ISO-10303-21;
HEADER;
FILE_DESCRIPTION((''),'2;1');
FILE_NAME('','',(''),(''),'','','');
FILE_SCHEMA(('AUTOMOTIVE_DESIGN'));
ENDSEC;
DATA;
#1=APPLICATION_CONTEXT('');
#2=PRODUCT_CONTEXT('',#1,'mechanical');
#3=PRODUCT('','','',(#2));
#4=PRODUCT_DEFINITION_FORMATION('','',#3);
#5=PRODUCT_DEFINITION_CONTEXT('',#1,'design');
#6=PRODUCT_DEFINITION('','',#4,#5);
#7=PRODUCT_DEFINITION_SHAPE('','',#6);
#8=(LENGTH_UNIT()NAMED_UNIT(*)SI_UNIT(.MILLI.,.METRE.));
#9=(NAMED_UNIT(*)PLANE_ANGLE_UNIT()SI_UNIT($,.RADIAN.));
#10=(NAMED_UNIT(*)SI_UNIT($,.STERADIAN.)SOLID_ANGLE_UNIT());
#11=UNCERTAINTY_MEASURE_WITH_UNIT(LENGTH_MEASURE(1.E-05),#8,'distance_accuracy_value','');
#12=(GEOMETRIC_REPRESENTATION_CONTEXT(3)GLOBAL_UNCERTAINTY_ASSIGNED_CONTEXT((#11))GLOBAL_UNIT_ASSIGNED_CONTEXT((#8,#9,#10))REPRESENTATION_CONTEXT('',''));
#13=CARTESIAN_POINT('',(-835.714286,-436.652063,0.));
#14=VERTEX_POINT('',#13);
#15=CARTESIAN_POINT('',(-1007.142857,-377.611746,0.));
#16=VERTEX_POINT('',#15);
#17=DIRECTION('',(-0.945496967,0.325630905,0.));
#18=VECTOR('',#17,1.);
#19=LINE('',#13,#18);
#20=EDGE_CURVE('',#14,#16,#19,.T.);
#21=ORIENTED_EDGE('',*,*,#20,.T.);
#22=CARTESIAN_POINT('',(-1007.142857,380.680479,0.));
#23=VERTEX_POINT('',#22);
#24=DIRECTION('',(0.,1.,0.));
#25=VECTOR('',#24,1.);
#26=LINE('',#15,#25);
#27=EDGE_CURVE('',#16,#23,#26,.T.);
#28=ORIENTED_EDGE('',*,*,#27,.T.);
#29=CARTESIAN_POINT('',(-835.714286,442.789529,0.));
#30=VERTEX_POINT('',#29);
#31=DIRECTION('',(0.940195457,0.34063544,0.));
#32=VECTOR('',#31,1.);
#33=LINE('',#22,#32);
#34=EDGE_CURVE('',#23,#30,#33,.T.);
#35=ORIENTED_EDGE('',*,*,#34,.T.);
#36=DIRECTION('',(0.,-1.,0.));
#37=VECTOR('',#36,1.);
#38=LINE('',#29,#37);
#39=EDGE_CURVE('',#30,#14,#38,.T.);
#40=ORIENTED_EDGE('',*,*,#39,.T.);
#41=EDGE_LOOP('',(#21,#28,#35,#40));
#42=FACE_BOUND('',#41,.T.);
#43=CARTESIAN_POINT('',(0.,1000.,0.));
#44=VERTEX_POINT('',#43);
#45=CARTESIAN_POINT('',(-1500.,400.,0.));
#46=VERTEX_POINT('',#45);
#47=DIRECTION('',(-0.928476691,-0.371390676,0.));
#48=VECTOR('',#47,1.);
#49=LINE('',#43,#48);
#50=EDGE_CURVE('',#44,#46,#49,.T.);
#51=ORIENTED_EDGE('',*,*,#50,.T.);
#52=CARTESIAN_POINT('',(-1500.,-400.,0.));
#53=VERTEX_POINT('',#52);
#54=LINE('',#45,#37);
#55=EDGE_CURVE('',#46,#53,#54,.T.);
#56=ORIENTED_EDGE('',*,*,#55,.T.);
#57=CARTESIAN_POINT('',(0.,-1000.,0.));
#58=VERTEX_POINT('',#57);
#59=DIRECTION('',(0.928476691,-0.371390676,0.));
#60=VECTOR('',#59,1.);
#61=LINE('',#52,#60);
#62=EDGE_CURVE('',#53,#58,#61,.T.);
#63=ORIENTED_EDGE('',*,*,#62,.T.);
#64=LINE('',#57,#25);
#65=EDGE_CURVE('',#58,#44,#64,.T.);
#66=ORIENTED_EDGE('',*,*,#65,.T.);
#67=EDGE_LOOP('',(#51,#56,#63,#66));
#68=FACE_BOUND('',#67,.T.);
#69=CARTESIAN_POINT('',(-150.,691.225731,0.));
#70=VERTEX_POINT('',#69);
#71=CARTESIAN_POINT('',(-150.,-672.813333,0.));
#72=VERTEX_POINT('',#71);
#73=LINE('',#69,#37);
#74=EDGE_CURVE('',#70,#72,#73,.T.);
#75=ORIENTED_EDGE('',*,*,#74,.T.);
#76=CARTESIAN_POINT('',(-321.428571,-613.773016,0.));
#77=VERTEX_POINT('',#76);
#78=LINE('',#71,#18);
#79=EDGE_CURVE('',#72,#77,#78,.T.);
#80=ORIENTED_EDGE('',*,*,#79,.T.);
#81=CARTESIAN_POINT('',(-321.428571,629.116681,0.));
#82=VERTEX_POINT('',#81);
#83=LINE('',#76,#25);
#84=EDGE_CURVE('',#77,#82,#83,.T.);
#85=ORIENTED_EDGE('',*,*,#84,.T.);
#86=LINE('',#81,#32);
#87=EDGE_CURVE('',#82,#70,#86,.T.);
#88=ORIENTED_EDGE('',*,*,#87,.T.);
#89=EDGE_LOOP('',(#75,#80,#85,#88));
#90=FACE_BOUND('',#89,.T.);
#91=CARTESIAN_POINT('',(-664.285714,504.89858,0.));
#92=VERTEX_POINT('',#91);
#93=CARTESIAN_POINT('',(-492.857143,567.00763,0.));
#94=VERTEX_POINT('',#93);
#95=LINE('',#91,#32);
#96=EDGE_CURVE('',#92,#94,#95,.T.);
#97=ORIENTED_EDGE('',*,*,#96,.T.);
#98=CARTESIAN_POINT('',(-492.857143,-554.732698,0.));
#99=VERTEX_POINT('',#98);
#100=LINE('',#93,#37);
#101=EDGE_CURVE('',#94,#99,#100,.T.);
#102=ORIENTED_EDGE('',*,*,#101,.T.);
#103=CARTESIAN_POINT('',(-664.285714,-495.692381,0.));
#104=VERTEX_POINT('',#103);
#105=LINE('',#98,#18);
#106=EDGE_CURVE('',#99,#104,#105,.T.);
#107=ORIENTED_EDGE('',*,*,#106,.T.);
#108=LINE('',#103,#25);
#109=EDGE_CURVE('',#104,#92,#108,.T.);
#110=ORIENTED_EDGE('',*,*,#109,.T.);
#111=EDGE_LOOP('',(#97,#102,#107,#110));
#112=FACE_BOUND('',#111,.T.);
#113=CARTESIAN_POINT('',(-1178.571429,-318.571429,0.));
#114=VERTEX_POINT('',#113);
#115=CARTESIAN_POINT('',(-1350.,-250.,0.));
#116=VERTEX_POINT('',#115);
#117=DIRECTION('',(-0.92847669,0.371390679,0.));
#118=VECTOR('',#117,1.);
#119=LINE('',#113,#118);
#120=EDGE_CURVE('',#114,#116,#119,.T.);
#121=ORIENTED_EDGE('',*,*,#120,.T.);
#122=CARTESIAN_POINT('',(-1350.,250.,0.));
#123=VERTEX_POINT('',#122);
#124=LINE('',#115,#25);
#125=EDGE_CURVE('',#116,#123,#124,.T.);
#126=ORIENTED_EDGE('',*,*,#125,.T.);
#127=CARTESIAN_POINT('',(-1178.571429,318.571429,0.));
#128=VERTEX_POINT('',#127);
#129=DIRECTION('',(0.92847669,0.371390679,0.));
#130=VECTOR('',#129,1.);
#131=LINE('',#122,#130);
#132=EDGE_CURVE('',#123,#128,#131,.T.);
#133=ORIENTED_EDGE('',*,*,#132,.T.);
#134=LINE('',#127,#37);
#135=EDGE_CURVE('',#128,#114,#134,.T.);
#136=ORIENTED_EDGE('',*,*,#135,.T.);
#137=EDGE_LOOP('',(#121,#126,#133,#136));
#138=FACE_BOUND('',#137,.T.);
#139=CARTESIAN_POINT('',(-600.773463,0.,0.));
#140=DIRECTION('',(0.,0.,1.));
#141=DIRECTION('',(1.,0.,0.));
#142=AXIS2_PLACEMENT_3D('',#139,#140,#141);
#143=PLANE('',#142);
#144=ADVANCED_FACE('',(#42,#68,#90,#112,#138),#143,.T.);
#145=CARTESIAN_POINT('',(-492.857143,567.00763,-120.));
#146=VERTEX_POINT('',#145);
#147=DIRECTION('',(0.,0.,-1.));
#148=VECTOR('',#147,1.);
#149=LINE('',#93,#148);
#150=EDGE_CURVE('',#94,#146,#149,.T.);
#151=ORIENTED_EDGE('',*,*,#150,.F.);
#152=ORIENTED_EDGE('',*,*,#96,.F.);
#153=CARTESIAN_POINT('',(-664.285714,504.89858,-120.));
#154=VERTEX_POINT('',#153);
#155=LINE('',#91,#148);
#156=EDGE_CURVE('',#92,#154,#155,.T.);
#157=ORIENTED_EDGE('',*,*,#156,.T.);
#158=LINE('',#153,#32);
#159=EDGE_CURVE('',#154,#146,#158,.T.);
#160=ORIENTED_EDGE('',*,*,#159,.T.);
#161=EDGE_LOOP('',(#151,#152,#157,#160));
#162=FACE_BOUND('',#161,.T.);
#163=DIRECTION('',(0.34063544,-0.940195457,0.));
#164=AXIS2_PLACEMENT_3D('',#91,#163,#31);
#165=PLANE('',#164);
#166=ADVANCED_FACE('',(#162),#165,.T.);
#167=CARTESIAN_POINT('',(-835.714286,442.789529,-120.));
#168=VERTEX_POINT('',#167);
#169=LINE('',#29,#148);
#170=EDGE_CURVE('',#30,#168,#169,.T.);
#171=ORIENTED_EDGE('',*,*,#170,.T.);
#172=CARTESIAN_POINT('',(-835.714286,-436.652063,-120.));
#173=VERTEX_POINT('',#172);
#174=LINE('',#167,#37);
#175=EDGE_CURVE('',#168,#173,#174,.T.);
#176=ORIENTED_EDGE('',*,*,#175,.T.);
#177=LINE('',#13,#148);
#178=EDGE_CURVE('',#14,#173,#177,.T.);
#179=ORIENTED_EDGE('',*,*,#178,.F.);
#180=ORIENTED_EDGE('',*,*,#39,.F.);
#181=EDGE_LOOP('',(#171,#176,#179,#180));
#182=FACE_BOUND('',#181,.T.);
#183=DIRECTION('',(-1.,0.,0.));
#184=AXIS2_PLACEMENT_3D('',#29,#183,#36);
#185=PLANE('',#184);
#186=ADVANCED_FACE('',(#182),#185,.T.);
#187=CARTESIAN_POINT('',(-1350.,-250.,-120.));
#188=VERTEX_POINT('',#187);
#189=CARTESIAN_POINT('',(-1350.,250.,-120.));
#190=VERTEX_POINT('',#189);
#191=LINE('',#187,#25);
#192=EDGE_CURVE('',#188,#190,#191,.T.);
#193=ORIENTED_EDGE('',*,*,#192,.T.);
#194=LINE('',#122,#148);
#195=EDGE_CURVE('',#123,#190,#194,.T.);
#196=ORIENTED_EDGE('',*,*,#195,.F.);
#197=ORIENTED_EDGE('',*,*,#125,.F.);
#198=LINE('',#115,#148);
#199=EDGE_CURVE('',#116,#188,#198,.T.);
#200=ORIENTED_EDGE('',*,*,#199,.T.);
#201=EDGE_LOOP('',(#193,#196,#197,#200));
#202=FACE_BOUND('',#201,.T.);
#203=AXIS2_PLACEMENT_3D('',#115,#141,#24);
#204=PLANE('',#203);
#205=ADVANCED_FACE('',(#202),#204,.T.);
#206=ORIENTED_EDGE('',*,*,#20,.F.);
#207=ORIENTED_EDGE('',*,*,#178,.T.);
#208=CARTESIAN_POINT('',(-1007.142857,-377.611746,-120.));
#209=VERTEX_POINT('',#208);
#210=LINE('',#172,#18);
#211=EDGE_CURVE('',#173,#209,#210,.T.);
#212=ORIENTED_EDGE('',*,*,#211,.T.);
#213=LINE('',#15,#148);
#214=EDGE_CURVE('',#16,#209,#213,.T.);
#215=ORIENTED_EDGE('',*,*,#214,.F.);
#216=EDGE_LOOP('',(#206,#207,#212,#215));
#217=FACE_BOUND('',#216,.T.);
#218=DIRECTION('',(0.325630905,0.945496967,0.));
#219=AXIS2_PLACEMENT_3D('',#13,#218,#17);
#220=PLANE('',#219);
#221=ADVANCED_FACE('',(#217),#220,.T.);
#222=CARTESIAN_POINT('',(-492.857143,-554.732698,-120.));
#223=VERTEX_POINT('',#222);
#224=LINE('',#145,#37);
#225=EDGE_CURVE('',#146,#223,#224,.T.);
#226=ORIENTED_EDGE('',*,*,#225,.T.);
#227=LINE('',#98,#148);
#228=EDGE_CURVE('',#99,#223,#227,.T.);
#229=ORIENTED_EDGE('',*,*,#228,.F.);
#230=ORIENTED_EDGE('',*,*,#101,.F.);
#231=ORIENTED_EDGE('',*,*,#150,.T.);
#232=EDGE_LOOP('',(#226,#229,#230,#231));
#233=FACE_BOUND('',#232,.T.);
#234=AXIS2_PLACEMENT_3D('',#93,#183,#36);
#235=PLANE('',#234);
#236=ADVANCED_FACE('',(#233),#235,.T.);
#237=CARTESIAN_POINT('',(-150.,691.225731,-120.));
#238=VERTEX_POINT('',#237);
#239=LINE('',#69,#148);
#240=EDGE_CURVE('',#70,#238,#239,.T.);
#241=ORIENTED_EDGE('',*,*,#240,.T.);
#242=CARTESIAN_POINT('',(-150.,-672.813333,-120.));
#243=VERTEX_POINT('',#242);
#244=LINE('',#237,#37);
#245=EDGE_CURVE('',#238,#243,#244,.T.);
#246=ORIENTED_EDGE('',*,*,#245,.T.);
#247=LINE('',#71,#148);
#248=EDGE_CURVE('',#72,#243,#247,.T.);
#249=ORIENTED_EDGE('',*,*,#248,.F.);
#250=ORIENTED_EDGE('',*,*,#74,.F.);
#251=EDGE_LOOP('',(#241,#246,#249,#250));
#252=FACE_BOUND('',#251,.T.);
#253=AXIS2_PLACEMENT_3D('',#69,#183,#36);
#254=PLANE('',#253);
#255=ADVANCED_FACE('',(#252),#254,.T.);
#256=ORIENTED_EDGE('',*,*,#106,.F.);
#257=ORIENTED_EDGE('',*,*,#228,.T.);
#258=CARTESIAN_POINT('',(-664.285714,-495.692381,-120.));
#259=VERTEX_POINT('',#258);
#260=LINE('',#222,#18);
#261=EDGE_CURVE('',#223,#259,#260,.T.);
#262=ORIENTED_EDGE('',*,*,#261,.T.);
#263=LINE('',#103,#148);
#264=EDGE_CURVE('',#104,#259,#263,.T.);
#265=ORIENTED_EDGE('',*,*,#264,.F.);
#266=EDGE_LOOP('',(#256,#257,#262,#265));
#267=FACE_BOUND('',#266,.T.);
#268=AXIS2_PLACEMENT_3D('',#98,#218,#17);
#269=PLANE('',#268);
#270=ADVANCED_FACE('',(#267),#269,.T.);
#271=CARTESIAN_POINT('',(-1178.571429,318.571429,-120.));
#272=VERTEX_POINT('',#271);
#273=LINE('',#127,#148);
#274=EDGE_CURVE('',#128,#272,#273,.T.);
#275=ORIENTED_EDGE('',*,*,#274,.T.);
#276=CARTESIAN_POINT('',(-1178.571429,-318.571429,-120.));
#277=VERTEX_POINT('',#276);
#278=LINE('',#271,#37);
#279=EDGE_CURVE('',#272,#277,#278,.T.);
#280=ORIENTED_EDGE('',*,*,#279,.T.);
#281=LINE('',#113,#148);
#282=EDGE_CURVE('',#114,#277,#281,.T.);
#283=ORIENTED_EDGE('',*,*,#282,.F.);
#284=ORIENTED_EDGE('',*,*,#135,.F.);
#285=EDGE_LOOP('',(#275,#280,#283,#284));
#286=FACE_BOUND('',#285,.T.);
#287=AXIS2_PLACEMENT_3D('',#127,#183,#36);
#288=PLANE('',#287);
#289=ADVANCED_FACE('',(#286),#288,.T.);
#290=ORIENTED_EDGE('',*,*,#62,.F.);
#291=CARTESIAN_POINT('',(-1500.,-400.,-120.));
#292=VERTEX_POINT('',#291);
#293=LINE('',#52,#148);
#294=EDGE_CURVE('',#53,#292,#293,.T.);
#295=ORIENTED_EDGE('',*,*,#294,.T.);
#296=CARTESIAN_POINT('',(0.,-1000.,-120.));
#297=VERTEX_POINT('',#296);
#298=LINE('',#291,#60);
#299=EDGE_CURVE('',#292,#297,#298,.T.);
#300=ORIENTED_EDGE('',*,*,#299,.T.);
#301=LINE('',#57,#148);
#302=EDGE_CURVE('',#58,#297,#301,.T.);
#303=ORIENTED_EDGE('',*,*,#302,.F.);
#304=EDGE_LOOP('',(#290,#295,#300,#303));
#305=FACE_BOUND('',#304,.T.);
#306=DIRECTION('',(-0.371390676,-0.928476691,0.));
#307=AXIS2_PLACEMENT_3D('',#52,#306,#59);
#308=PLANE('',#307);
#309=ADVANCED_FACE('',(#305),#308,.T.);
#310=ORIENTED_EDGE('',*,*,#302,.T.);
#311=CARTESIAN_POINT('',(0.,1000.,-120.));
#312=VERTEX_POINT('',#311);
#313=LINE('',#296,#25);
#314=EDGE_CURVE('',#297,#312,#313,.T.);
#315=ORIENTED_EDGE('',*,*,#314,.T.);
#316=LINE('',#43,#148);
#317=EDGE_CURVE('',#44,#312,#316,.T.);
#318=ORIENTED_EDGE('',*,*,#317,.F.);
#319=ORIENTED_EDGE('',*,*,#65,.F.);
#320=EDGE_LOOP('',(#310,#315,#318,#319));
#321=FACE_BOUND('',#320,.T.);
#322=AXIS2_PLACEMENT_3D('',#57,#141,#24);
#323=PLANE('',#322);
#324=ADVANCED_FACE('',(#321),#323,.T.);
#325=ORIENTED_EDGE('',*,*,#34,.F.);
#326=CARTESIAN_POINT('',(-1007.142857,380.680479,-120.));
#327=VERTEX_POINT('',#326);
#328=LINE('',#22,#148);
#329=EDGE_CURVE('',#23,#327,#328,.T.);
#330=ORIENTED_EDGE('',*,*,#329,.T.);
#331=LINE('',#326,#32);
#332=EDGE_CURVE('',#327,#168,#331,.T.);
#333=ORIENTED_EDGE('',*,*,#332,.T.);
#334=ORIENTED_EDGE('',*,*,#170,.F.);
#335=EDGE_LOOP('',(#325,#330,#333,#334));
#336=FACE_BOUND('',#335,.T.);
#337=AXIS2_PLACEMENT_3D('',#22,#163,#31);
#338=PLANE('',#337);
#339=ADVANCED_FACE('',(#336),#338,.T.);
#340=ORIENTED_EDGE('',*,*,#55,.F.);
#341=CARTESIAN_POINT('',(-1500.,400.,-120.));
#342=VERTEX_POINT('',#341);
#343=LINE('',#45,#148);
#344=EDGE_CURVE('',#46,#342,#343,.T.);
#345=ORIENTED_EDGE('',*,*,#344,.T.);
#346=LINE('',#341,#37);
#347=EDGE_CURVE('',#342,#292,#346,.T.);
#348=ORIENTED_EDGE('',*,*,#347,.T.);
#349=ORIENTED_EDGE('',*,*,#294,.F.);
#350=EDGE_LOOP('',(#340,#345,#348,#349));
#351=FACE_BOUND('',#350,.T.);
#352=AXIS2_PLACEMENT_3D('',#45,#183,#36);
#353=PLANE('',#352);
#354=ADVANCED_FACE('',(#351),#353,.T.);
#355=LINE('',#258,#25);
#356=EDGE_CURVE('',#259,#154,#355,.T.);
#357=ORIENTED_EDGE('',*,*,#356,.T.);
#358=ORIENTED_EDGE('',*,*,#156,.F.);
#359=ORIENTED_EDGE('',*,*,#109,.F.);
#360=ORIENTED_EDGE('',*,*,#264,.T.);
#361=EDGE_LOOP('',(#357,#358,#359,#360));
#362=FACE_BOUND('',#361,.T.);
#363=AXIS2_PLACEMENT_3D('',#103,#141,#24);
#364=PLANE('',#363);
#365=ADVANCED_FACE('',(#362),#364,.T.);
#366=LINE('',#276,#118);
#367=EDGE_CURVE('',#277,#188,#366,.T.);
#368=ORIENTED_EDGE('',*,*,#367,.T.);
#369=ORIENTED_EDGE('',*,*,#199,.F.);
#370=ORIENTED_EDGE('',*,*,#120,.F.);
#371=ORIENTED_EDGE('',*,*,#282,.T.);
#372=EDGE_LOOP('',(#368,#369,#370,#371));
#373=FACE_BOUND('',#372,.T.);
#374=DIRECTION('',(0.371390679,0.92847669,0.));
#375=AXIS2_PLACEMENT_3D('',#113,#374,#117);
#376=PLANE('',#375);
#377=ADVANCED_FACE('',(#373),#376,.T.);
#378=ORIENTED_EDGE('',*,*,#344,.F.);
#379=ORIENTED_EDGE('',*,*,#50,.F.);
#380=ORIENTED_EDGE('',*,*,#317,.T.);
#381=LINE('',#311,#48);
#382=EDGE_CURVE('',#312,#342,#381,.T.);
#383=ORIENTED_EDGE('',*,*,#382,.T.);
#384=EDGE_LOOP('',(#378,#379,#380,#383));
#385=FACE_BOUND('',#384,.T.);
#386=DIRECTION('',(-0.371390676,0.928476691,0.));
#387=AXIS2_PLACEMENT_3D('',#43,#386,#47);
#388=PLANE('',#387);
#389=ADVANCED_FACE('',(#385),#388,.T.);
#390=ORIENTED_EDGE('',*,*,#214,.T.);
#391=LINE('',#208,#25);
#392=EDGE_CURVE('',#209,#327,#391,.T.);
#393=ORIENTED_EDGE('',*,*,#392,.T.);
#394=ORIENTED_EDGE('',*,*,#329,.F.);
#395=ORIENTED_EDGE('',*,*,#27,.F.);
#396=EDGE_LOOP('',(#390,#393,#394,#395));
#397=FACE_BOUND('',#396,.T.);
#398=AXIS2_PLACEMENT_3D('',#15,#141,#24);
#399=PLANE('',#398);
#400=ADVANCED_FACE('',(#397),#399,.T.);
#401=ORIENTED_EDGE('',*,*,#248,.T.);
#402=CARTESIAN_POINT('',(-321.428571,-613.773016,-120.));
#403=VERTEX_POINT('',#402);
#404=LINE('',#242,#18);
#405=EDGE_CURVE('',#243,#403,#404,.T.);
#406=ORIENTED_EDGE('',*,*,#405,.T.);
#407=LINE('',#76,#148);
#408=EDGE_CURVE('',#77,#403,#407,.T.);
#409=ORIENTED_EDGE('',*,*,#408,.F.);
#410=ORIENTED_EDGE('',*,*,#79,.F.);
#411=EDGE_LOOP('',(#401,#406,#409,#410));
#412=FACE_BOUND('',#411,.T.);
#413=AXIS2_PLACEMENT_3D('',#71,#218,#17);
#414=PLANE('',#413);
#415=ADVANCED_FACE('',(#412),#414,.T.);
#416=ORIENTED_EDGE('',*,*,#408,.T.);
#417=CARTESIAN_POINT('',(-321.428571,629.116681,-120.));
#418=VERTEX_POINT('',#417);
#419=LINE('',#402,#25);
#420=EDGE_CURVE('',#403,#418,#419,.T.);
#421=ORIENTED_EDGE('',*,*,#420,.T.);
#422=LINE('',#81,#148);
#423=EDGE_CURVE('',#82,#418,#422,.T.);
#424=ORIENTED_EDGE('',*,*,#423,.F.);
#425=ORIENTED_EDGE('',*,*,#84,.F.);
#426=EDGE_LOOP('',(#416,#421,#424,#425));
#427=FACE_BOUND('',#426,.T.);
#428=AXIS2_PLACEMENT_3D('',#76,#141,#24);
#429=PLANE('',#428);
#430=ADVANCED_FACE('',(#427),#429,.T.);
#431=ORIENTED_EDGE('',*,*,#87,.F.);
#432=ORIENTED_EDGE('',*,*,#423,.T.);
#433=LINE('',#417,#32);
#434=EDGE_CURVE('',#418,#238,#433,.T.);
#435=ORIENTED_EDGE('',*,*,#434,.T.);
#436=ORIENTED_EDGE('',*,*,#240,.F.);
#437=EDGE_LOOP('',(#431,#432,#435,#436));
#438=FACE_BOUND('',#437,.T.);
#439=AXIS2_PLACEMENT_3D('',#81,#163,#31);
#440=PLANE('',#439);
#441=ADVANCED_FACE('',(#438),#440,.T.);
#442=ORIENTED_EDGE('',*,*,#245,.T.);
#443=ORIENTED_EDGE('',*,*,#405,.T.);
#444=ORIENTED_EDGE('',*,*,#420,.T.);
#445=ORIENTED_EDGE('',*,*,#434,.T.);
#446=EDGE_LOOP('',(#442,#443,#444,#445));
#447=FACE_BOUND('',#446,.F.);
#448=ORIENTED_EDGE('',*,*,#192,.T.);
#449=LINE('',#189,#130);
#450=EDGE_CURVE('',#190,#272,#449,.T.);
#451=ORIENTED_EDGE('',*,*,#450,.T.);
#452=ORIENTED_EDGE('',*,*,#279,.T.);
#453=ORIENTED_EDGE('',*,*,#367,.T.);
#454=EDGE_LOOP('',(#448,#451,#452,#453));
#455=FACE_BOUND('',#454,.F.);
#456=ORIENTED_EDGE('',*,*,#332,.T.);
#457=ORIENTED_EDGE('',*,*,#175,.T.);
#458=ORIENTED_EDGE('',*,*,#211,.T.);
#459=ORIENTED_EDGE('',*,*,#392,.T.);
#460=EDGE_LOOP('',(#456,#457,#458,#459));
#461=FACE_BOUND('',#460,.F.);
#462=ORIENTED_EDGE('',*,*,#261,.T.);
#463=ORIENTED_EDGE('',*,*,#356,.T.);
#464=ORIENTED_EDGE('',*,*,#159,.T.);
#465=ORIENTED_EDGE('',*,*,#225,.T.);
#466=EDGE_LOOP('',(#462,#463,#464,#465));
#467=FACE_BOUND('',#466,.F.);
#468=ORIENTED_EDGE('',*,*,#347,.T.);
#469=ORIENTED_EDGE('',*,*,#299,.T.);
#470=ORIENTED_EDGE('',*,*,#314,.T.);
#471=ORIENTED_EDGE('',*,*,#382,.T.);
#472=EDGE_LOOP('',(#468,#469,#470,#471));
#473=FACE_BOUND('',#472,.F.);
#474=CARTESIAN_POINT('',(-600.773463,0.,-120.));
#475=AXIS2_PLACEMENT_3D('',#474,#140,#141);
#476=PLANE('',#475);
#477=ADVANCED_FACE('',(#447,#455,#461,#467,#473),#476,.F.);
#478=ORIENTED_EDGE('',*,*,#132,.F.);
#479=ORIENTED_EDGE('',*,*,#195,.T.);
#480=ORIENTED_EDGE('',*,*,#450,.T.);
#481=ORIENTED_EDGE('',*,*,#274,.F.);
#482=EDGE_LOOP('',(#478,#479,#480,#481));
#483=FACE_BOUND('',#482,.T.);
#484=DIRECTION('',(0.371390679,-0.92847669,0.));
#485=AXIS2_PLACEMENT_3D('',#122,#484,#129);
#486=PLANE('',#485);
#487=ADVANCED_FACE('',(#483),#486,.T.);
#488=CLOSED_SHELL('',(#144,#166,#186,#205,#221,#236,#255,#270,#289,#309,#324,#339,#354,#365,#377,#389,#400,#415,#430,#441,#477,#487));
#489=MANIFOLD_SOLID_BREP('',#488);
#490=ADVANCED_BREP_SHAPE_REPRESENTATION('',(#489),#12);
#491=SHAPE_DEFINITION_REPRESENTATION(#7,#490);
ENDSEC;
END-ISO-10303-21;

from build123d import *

# Parameters (mm, degrees)
F1_DEPTH = 120
F3_DEPTH = 120


with BuildPart() as f1:
    # F0 (on Top) → F1 (new body)
    with BuildSketch(Plane.XY):
        Polygon((0, -1000), (0, 1000), (-1500, 400), (-1500, -400), align=None)
        Polygon((-1350, -250), (-1350, 250), (-1178.571429, 318.571429), (-1178.571429, -318.571429), align=None, mode=Mode.SUBTRACT)
        Polygon((-835.714286, -436.652063), (-1007.142857, -377.611746), (-1007.142857, 380.680479), (-835.714286, 442.789529), align=None, mode=Mode.SUBTRACT)
        Polygon((-664.285714, -495.692381), (-664.285714, 504.89858), (-492.857143, 567.00763), (-492.857143, -554.732698), align=None, mode=Mode.SUBTRACT)
        Polygon((-321.428571, 629.116681), (-150, 691.225731), (-150, -672.813333), (-321.428571, -613.773016), align=None, mode=Mode.SUBTRACT)
    extrude(amount=-F1_DEPTH)

    # F0 (on Top) → F3 (join)
    with BuildSketch(Plane.XY):
        Polygon((0, -1000), (0, 1000), (-1500, 400), (-1500, -400), align=None)
        Polygon((-1350, -250), (-1350, 250), (-1178.571429, 318.571429), (-1178.571429, -318.571429), align=None, mode=Mode.SUBTRACT)
        Polygon((-835.714286, -436.652063), (-1007.142857, -377.611746), (-1007.142857, 380.680479), (-835.714286, 442.789529), align=None, mode=Mode.SUBTRACT)
        Polygon((-664.285714, -495.692381), (-664.285714, 504.89858), (-492.857143, 567.00763), (-492.857143, -554.732698), align=None, mode=Mode.SUBTRACT)
        Polygon((-321.428571, 629.116681), (-150, 691.225731), (-150, -672.813333), (-321.428571, -613.773016), align=None, mode=Mode.SUBTRACT)
    extrude(amount=-F3_DEPTH)


solid = f1.part
